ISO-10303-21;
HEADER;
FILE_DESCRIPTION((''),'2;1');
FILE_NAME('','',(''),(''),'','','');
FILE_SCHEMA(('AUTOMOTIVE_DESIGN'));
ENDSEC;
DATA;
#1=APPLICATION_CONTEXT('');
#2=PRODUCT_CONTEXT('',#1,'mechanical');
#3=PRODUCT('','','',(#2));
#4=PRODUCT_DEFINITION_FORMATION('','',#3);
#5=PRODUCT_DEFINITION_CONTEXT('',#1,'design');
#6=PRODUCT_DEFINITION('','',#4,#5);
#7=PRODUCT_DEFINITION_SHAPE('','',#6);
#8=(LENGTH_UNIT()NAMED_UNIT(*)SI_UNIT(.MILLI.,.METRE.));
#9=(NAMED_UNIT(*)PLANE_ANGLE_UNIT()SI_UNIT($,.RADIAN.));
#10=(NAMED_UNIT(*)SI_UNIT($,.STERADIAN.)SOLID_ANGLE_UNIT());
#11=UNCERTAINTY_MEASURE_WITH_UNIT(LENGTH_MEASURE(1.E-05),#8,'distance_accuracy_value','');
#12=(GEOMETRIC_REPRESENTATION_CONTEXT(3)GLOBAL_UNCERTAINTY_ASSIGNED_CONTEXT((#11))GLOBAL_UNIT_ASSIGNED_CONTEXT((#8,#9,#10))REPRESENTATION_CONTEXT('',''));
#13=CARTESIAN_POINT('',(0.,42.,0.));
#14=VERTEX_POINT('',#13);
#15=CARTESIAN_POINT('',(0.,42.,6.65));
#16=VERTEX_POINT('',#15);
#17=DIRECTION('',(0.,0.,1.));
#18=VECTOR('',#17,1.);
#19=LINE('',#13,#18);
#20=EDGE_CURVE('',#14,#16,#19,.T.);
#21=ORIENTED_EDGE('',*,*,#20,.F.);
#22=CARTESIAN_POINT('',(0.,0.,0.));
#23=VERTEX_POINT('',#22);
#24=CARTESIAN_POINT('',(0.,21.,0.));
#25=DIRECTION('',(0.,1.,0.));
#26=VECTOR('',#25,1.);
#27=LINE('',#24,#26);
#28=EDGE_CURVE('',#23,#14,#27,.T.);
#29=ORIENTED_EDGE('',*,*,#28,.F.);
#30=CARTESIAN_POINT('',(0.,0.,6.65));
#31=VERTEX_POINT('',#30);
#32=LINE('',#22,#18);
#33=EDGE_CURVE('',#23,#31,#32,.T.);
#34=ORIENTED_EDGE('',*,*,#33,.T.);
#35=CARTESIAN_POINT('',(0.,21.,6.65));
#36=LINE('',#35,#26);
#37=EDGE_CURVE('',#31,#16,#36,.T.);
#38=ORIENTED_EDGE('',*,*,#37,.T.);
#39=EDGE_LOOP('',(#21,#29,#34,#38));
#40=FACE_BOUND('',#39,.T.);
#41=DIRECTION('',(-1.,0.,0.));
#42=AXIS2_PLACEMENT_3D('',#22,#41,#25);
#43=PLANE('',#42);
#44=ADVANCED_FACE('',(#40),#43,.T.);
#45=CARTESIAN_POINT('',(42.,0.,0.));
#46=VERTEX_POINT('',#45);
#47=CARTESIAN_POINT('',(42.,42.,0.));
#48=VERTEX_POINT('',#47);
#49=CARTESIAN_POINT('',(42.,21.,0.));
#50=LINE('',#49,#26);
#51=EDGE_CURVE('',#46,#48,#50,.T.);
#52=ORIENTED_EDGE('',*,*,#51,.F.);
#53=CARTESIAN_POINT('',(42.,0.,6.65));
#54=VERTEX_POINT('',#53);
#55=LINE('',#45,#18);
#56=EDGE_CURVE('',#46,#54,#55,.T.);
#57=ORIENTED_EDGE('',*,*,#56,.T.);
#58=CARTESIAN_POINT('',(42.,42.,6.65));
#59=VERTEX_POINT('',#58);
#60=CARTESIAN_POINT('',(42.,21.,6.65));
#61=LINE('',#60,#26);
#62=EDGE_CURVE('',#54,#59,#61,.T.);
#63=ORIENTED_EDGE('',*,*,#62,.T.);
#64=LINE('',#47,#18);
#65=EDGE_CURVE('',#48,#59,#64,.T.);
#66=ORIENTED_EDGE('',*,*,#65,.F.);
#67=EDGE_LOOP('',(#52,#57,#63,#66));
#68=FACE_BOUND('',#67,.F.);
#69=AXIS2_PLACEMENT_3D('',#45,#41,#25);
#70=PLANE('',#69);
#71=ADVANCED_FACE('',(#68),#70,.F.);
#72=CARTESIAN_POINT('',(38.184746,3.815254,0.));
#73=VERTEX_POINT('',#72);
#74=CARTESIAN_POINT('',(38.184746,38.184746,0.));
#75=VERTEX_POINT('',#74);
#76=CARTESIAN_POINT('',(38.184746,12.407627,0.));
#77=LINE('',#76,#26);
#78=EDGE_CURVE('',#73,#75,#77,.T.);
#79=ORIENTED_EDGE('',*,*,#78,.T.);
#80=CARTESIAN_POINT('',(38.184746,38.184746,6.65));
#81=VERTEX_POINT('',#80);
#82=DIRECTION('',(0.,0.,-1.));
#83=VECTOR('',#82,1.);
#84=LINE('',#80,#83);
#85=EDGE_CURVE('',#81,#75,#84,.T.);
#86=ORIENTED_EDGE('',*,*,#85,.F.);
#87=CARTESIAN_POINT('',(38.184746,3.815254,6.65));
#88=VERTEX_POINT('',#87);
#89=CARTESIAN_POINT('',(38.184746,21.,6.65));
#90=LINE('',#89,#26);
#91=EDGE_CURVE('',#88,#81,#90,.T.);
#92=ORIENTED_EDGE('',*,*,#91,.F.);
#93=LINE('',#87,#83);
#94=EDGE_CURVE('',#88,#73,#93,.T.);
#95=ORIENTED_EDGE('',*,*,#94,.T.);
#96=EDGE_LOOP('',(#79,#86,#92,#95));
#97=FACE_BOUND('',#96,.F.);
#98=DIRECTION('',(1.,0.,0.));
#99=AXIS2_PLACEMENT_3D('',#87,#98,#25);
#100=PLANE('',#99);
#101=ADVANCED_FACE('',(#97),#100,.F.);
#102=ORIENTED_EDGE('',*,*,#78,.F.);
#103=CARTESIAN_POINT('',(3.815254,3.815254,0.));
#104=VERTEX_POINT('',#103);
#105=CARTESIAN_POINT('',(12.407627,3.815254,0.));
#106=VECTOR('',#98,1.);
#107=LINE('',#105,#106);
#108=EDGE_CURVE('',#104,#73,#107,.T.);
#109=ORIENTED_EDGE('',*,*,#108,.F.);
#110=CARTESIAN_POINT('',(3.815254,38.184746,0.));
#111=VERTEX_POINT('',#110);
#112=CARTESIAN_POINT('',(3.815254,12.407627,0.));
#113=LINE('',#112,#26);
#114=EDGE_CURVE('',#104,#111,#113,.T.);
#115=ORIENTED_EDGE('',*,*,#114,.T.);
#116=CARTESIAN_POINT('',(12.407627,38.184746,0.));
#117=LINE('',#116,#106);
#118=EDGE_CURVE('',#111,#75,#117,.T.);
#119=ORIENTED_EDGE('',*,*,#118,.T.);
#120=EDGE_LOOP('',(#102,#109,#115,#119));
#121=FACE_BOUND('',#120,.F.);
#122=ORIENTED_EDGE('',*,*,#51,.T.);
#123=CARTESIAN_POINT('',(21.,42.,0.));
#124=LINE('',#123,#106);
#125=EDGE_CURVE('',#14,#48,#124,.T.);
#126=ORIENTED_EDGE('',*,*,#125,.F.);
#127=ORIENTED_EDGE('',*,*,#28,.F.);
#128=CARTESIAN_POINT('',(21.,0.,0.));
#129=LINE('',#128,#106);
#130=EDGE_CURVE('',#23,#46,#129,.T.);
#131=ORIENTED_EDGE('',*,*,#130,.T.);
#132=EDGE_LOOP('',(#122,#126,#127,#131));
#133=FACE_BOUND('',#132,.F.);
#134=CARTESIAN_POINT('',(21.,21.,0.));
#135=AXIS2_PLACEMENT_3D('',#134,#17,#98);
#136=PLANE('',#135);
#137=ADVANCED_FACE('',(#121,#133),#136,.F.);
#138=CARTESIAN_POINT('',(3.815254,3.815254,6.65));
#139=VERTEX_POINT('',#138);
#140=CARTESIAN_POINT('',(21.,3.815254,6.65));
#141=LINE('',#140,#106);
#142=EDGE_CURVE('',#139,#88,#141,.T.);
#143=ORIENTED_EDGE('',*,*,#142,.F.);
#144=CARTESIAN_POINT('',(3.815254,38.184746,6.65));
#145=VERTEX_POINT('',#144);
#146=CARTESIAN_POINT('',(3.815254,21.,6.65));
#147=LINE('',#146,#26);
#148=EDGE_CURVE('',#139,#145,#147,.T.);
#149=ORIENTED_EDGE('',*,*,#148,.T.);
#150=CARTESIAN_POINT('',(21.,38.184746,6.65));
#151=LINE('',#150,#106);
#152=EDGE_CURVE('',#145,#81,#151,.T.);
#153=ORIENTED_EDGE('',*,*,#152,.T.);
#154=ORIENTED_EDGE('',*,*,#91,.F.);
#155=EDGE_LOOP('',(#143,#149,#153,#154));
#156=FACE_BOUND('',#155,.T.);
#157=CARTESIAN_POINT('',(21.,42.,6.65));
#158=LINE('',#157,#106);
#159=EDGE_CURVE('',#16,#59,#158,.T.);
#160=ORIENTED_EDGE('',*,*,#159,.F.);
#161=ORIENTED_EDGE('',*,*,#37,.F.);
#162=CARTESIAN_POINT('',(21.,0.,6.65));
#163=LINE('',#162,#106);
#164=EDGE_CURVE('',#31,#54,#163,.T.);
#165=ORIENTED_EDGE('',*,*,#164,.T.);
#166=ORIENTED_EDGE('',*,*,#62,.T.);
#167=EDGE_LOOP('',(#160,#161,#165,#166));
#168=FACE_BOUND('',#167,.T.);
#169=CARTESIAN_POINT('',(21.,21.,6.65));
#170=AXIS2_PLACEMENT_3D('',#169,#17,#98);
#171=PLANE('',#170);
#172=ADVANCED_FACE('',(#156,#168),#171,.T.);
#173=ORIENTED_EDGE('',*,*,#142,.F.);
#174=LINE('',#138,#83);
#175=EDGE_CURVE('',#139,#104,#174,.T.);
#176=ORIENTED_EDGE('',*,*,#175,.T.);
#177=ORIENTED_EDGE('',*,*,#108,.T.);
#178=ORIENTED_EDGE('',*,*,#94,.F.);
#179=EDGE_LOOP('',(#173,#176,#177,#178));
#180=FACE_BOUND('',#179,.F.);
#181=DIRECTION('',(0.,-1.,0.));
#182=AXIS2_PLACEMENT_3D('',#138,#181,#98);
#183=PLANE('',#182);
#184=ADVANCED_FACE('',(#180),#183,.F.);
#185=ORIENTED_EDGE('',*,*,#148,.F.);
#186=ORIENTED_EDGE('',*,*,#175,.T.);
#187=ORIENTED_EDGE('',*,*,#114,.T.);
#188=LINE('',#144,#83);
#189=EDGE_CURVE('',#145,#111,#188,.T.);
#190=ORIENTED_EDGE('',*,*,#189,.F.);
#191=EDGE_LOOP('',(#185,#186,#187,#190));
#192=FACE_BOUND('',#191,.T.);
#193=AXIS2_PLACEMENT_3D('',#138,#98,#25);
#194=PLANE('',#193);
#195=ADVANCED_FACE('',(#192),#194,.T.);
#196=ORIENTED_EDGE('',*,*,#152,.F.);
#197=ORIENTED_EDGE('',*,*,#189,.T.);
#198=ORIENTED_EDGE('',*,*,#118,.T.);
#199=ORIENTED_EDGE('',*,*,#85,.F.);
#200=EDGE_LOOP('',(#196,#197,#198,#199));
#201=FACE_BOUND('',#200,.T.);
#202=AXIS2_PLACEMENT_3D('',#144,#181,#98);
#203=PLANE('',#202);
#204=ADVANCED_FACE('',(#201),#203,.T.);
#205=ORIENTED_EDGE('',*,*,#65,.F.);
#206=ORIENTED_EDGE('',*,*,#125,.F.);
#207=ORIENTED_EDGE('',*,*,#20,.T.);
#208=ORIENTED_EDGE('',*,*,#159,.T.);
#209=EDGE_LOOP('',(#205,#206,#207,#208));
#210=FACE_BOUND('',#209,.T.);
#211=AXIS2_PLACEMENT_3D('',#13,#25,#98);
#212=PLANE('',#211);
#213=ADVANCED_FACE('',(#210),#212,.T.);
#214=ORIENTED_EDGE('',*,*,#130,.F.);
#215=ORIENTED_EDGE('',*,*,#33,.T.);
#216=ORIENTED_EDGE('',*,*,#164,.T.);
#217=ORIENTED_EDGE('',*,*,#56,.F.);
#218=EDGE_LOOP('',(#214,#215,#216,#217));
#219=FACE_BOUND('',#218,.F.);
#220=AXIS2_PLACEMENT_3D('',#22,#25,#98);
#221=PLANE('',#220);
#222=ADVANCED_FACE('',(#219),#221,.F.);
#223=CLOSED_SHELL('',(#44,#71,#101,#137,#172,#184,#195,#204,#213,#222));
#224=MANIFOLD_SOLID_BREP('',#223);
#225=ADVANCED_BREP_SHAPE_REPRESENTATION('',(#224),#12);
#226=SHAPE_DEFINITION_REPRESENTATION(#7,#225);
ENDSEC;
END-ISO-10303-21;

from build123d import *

# Parameters (mm, degrees)
SKETCH_W     = 42
SKETCH_H     = 42
PAD_DEPTH    = 6.65
SKETCH001_W  = 34.369492
SKETCH001_H  = 34.369492
POCKET_DEPTH = 6.651


with BuildPart() as part:
    # Sketch → Pad (new body)
    with BuildSketch(Plane.XY):
        with Locations((21, 21)):
            Rectangle(SKETCH_W, SKETCH_H)
    extrude(amount=PAD_DEPTH)

    # Sketch001 (on Face6 of Pad) → Pocket (cut, through all)
    with BuildSketch(Plane.XY.offset(6.65)):
        with Locations((21, 21)):
            Rectangle(SKETCH001_W, SKETCH001_H)
    extrude(amount=-POCKET_DEPTH, mode=Mode.SUBTRACT)


solid = part.part
